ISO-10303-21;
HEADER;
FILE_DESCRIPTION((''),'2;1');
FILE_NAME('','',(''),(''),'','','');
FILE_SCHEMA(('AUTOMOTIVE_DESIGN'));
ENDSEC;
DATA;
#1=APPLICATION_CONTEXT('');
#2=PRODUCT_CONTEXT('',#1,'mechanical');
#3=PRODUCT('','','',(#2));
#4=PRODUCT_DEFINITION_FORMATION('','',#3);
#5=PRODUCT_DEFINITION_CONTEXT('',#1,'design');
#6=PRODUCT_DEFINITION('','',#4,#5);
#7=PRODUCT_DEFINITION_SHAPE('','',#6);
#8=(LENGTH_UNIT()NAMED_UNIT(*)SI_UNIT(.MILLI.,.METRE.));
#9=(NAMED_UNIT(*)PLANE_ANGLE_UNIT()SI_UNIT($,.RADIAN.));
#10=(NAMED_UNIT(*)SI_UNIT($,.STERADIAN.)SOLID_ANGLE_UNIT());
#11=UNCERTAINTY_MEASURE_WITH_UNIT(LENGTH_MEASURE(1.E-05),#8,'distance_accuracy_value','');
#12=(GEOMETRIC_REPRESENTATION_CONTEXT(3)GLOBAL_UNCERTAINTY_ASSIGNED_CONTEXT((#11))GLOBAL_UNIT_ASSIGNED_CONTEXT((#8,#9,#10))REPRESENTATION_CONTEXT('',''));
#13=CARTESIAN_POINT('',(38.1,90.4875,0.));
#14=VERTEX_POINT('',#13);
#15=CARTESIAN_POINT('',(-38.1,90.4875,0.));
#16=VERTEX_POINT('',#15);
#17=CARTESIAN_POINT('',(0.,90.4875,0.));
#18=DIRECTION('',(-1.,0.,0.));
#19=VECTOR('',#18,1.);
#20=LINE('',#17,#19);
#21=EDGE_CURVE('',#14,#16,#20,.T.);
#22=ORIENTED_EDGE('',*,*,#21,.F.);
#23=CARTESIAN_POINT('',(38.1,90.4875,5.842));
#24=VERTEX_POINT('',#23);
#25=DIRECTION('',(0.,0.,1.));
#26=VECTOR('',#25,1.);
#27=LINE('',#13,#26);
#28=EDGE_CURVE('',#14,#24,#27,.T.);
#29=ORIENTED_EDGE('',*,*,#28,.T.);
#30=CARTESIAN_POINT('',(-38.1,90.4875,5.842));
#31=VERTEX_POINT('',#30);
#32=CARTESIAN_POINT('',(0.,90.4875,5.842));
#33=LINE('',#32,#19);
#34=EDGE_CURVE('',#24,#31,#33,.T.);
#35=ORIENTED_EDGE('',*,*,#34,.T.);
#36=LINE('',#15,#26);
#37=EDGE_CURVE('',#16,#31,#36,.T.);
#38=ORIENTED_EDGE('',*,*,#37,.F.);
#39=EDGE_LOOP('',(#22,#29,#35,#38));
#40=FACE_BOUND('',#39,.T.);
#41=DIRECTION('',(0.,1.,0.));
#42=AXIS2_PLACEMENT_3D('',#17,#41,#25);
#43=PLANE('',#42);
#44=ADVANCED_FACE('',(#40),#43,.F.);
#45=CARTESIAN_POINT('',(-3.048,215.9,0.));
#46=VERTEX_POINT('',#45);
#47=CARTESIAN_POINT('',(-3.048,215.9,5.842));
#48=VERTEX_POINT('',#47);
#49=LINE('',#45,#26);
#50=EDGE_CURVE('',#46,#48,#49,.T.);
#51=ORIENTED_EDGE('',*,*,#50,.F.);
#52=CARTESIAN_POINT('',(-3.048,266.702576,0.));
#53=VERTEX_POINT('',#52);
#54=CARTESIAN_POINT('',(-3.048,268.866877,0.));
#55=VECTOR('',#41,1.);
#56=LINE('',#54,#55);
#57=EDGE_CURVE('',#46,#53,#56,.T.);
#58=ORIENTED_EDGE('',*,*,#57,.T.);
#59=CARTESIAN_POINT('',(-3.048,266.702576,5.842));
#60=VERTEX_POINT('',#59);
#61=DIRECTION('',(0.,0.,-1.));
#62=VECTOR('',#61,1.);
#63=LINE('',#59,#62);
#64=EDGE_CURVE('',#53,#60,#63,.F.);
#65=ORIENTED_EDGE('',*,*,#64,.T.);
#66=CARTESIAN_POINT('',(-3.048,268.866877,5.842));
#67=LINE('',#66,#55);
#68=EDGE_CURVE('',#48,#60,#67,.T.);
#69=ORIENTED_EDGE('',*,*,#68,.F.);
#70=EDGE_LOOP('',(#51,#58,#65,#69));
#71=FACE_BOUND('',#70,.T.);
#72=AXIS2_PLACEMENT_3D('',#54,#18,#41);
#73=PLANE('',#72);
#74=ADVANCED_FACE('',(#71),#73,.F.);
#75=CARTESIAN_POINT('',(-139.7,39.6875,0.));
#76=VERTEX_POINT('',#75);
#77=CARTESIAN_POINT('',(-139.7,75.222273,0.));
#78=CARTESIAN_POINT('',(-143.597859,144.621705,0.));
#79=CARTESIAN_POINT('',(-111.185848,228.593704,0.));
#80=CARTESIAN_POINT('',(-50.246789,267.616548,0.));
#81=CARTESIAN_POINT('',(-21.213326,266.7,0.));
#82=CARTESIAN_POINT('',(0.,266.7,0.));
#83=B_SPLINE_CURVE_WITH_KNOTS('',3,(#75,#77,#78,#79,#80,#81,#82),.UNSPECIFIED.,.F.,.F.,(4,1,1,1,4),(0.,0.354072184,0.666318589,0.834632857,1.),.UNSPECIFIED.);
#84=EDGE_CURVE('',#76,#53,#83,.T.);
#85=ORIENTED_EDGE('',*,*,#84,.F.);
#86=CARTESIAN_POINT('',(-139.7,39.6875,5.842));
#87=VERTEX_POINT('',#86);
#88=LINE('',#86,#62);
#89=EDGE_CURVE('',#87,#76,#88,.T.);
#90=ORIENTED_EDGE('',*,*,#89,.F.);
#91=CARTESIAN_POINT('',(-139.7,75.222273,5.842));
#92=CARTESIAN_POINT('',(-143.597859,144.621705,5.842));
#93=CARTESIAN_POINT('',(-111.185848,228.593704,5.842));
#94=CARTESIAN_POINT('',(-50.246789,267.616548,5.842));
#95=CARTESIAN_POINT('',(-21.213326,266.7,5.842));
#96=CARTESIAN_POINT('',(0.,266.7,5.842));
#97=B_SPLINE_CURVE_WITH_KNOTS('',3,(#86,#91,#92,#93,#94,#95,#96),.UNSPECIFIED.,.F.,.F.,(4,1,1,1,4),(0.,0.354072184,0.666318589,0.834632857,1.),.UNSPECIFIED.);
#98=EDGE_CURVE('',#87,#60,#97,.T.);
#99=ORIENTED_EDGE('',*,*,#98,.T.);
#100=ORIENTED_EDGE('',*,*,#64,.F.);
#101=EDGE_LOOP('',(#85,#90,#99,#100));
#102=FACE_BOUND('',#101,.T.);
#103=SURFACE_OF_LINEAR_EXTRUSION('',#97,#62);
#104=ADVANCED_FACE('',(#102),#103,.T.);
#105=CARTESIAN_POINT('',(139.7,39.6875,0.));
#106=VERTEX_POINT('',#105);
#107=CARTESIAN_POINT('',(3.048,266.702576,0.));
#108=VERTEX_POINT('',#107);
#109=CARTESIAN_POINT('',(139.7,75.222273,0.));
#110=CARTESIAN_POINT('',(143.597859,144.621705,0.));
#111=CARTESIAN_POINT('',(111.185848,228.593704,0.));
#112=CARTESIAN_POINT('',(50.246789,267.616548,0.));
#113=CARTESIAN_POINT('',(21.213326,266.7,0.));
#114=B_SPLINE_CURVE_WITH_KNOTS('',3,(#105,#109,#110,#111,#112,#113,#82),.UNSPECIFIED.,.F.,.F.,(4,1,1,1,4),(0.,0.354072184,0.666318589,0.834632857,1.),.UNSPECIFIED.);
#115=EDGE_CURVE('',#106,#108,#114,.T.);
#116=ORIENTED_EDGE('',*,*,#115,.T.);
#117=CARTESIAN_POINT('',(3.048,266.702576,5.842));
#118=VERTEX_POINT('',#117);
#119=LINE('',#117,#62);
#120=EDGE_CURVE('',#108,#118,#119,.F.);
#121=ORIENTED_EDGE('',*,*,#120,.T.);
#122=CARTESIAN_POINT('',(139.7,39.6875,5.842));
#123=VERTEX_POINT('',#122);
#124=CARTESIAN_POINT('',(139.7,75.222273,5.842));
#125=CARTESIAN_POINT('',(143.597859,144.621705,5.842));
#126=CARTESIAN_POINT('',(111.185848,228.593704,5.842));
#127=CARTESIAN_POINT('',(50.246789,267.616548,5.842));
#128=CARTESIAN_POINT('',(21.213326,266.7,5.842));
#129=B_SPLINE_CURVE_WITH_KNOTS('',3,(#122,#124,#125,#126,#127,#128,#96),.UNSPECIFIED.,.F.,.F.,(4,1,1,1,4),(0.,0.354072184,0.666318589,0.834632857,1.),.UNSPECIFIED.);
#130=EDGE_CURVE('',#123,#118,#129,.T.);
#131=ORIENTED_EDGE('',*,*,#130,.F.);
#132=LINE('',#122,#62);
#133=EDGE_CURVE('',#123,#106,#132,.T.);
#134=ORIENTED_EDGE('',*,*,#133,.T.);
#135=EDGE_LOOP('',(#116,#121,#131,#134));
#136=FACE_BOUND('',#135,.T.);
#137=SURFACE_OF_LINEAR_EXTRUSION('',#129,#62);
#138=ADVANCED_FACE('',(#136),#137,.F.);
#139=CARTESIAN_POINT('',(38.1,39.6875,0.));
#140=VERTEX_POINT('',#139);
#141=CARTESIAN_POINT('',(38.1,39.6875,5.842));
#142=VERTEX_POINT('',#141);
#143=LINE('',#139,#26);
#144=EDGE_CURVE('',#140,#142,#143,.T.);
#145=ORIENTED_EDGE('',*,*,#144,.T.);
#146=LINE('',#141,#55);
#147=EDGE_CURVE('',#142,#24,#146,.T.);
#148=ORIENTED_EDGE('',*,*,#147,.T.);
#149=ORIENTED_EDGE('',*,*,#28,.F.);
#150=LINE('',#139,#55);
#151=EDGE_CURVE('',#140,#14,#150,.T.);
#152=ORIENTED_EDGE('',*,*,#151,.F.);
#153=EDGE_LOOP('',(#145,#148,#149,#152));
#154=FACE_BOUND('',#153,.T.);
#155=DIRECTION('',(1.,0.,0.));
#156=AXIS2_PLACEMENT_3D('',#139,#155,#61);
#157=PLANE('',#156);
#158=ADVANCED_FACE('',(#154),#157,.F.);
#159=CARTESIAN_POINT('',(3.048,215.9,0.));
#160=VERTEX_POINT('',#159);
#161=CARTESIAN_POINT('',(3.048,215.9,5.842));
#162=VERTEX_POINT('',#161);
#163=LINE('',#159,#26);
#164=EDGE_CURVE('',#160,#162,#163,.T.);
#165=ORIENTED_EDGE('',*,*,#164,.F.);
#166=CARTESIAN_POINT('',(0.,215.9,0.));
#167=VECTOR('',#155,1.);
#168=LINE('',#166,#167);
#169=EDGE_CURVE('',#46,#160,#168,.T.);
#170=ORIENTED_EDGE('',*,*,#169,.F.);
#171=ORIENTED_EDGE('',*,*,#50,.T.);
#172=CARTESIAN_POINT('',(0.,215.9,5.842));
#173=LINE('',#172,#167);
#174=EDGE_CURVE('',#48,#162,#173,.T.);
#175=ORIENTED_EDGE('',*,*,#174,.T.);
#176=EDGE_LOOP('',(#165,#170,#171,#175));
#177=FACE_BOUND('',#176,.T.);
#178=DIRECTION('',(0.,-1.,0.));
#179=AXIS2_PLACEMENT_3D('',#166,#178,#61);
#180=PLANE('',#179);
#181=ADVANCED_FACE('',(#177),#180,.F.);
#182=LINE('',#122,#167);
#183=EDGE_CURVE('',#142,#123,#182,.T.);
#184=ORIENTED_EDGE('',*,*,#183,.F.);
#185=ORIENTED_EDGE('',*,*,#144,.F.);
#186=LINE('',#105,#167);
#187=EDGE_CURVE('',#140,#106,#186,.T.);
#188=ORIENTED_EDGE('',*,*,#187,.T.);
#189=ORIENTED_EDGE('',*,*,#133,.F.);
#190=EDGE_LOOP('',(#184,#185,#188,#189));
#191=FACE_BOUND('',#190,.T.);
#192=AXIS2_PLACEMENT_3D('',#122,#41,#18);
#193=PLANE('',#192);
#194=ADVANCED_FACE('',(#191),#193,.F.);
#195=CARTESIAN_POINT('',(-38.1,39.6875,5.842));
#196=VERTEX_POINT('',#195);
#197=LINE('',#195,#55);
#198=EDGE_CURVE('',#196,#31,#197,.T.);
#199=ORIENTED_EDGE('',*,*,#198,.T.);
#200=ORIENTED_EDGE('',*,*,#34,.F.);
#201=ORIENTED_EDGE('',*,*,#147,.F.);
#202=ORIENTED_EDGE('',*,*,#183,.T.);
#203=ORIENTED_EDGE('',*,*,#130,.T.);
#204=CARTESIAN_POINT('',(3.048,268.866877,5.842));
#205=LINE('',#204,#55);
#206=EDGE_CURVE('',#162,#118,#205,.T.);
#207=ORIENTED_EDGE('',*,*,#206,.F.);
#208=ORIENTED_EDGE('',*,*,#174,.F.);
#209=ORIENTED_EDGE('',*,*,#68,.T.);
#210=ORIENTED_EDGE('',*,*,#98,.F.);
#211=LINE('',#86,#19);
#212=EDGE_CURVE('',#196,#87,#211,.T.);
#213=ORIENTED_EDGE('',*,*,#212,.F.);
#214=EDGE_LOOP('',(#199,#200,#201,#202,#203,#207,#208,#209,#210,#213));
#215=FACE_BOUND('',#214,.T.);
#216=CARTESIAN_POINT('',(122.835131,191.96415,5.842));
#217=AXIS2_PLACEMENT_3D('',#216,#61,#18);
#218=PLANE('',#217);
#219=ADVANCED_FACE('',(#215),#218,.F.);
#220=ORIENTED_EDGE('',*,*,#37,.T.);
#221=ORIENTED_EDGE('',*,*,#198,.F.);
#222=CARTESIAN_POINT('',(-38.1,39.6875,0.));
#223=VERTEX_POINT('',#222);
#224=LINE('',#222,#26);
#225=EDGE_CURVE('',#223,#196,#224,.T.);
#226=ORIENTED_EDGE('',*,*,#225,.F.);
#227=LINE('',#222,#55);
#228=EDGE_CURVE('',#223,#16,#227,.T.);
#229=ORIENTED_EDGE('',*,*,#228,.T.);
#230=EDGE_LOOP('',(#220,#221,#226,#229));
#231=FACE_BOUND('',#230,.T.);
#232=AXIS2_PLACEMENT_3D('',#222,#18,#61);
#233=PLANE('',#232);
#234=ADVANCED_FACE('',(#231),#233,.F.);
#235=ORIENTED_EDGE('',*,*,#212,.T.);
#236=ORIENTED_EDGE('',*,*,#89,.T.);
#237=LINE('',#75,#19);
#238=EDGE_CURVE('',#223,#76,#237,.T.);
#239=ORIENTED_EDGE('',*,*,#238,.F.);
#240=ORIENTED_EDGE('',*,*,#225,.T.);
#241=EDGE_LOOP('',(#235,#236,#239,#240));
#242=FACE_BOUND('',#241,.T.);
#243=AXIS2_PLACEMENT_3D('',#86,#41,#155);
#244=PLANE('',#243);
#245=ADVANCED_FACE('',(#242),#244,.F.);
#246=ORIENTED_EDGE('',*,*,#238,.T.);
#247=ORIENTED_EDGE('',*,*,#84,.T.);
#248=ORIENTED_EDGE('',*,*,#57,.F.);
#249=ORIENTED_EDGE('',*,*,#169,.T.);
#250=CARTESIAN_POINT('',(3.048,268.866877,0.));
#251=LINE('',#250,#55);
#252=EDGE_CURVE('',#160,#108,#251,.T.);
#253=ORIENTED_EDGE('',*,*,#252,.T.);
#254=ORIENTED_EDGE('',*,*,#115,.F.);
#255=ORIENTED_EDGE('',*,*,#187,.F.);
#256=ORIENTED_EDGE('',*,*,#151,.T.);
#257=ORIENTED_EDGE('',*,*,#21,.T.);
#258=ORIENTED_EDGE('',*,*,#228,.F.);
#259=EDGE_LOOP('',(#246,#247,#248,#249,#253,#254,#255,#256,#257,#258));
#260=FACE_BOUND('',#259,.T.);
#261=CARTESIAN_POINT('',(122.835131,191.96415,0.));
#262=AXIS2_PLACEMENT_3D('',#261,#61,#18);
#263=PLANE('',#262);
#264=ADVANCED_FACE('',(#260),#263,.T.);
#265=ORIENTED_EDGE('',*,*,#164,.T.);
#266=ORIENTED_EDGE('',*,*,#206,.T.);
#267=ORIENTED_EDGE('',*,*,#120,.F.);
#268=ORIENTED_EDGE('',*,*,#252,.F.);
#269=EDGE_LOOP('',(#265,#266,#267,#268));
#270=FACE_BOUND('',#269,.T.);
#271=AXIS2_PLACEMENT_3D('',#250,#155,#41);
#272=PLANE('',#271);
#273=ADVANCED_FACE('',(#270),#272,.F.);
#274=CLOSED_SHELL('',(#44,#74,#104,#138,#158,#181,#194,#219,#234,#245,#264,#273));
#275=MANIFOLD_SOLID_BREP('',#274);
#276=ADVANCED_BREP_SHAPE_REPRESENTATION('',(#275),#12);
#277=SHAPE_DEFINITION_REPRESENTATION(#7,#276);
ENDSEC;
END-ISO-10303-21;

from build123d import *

# Parameters (mm, degrees)
BOSS_EXTRUDE1_DEPTH = 5.842
SKETCH3_W           = 38.1
SKETCH3_H           = 50.8
CUT_EXTRUDE1_DEPTH  = 302.290506827


with BuildPart() as part:
    # Sketch2 → Boss-Extrude1 (new body)
    with BuildSketch(Plane.XY):
        with BuildLine():
            Line((139.7, 39.6875), (0, 39.6875))
            Line((0, 39.6875), (0, 266.7))
            add(Edge.make_bspline(
                [(0, 266.7), (21.213326152, 266.7), (50.246788725, 267.616547831), (111.185848272, 228.593704445), (143.597858606, 144.621704947), (139.7, 75.222272686), (139.7, 39.6875)],
                knots=[0, 0, 0, 0, 0.165367143, 0.333681411, 0.645927816, 1, 1, 1, 1], degree=3))
        make_face()
    extrude(amount=BOSS_EXTRUDE1_DEPTH)

    # Sketch3 → Cut-Extrude1 (cut, through all)
    with BuildSketch(Plane.XY.offset(5.842)):
        Polygon((0, 266.7), (0, 268.866877319), (3.048, 268.866877319), (3.048, 215.9), (0, 215.9), align=None)
        with Locations((19.05, 65.0875)):
            Rectangle(SKETCH3_W, SKETCH3_H)
    extrude(amount=-CUT_EXTRUDE1_DEPTH, mode=Mode.SUBTRACT)

    # Mirror1: part across plane


with BuildPart() as part_1:
    add(part.part)
    add(part.part.mirror(Plane(origin=(0, 0, 0), x_dir=(0, 0, 1), z_dir=(1, 0, 0))))


solid = part_1.part
